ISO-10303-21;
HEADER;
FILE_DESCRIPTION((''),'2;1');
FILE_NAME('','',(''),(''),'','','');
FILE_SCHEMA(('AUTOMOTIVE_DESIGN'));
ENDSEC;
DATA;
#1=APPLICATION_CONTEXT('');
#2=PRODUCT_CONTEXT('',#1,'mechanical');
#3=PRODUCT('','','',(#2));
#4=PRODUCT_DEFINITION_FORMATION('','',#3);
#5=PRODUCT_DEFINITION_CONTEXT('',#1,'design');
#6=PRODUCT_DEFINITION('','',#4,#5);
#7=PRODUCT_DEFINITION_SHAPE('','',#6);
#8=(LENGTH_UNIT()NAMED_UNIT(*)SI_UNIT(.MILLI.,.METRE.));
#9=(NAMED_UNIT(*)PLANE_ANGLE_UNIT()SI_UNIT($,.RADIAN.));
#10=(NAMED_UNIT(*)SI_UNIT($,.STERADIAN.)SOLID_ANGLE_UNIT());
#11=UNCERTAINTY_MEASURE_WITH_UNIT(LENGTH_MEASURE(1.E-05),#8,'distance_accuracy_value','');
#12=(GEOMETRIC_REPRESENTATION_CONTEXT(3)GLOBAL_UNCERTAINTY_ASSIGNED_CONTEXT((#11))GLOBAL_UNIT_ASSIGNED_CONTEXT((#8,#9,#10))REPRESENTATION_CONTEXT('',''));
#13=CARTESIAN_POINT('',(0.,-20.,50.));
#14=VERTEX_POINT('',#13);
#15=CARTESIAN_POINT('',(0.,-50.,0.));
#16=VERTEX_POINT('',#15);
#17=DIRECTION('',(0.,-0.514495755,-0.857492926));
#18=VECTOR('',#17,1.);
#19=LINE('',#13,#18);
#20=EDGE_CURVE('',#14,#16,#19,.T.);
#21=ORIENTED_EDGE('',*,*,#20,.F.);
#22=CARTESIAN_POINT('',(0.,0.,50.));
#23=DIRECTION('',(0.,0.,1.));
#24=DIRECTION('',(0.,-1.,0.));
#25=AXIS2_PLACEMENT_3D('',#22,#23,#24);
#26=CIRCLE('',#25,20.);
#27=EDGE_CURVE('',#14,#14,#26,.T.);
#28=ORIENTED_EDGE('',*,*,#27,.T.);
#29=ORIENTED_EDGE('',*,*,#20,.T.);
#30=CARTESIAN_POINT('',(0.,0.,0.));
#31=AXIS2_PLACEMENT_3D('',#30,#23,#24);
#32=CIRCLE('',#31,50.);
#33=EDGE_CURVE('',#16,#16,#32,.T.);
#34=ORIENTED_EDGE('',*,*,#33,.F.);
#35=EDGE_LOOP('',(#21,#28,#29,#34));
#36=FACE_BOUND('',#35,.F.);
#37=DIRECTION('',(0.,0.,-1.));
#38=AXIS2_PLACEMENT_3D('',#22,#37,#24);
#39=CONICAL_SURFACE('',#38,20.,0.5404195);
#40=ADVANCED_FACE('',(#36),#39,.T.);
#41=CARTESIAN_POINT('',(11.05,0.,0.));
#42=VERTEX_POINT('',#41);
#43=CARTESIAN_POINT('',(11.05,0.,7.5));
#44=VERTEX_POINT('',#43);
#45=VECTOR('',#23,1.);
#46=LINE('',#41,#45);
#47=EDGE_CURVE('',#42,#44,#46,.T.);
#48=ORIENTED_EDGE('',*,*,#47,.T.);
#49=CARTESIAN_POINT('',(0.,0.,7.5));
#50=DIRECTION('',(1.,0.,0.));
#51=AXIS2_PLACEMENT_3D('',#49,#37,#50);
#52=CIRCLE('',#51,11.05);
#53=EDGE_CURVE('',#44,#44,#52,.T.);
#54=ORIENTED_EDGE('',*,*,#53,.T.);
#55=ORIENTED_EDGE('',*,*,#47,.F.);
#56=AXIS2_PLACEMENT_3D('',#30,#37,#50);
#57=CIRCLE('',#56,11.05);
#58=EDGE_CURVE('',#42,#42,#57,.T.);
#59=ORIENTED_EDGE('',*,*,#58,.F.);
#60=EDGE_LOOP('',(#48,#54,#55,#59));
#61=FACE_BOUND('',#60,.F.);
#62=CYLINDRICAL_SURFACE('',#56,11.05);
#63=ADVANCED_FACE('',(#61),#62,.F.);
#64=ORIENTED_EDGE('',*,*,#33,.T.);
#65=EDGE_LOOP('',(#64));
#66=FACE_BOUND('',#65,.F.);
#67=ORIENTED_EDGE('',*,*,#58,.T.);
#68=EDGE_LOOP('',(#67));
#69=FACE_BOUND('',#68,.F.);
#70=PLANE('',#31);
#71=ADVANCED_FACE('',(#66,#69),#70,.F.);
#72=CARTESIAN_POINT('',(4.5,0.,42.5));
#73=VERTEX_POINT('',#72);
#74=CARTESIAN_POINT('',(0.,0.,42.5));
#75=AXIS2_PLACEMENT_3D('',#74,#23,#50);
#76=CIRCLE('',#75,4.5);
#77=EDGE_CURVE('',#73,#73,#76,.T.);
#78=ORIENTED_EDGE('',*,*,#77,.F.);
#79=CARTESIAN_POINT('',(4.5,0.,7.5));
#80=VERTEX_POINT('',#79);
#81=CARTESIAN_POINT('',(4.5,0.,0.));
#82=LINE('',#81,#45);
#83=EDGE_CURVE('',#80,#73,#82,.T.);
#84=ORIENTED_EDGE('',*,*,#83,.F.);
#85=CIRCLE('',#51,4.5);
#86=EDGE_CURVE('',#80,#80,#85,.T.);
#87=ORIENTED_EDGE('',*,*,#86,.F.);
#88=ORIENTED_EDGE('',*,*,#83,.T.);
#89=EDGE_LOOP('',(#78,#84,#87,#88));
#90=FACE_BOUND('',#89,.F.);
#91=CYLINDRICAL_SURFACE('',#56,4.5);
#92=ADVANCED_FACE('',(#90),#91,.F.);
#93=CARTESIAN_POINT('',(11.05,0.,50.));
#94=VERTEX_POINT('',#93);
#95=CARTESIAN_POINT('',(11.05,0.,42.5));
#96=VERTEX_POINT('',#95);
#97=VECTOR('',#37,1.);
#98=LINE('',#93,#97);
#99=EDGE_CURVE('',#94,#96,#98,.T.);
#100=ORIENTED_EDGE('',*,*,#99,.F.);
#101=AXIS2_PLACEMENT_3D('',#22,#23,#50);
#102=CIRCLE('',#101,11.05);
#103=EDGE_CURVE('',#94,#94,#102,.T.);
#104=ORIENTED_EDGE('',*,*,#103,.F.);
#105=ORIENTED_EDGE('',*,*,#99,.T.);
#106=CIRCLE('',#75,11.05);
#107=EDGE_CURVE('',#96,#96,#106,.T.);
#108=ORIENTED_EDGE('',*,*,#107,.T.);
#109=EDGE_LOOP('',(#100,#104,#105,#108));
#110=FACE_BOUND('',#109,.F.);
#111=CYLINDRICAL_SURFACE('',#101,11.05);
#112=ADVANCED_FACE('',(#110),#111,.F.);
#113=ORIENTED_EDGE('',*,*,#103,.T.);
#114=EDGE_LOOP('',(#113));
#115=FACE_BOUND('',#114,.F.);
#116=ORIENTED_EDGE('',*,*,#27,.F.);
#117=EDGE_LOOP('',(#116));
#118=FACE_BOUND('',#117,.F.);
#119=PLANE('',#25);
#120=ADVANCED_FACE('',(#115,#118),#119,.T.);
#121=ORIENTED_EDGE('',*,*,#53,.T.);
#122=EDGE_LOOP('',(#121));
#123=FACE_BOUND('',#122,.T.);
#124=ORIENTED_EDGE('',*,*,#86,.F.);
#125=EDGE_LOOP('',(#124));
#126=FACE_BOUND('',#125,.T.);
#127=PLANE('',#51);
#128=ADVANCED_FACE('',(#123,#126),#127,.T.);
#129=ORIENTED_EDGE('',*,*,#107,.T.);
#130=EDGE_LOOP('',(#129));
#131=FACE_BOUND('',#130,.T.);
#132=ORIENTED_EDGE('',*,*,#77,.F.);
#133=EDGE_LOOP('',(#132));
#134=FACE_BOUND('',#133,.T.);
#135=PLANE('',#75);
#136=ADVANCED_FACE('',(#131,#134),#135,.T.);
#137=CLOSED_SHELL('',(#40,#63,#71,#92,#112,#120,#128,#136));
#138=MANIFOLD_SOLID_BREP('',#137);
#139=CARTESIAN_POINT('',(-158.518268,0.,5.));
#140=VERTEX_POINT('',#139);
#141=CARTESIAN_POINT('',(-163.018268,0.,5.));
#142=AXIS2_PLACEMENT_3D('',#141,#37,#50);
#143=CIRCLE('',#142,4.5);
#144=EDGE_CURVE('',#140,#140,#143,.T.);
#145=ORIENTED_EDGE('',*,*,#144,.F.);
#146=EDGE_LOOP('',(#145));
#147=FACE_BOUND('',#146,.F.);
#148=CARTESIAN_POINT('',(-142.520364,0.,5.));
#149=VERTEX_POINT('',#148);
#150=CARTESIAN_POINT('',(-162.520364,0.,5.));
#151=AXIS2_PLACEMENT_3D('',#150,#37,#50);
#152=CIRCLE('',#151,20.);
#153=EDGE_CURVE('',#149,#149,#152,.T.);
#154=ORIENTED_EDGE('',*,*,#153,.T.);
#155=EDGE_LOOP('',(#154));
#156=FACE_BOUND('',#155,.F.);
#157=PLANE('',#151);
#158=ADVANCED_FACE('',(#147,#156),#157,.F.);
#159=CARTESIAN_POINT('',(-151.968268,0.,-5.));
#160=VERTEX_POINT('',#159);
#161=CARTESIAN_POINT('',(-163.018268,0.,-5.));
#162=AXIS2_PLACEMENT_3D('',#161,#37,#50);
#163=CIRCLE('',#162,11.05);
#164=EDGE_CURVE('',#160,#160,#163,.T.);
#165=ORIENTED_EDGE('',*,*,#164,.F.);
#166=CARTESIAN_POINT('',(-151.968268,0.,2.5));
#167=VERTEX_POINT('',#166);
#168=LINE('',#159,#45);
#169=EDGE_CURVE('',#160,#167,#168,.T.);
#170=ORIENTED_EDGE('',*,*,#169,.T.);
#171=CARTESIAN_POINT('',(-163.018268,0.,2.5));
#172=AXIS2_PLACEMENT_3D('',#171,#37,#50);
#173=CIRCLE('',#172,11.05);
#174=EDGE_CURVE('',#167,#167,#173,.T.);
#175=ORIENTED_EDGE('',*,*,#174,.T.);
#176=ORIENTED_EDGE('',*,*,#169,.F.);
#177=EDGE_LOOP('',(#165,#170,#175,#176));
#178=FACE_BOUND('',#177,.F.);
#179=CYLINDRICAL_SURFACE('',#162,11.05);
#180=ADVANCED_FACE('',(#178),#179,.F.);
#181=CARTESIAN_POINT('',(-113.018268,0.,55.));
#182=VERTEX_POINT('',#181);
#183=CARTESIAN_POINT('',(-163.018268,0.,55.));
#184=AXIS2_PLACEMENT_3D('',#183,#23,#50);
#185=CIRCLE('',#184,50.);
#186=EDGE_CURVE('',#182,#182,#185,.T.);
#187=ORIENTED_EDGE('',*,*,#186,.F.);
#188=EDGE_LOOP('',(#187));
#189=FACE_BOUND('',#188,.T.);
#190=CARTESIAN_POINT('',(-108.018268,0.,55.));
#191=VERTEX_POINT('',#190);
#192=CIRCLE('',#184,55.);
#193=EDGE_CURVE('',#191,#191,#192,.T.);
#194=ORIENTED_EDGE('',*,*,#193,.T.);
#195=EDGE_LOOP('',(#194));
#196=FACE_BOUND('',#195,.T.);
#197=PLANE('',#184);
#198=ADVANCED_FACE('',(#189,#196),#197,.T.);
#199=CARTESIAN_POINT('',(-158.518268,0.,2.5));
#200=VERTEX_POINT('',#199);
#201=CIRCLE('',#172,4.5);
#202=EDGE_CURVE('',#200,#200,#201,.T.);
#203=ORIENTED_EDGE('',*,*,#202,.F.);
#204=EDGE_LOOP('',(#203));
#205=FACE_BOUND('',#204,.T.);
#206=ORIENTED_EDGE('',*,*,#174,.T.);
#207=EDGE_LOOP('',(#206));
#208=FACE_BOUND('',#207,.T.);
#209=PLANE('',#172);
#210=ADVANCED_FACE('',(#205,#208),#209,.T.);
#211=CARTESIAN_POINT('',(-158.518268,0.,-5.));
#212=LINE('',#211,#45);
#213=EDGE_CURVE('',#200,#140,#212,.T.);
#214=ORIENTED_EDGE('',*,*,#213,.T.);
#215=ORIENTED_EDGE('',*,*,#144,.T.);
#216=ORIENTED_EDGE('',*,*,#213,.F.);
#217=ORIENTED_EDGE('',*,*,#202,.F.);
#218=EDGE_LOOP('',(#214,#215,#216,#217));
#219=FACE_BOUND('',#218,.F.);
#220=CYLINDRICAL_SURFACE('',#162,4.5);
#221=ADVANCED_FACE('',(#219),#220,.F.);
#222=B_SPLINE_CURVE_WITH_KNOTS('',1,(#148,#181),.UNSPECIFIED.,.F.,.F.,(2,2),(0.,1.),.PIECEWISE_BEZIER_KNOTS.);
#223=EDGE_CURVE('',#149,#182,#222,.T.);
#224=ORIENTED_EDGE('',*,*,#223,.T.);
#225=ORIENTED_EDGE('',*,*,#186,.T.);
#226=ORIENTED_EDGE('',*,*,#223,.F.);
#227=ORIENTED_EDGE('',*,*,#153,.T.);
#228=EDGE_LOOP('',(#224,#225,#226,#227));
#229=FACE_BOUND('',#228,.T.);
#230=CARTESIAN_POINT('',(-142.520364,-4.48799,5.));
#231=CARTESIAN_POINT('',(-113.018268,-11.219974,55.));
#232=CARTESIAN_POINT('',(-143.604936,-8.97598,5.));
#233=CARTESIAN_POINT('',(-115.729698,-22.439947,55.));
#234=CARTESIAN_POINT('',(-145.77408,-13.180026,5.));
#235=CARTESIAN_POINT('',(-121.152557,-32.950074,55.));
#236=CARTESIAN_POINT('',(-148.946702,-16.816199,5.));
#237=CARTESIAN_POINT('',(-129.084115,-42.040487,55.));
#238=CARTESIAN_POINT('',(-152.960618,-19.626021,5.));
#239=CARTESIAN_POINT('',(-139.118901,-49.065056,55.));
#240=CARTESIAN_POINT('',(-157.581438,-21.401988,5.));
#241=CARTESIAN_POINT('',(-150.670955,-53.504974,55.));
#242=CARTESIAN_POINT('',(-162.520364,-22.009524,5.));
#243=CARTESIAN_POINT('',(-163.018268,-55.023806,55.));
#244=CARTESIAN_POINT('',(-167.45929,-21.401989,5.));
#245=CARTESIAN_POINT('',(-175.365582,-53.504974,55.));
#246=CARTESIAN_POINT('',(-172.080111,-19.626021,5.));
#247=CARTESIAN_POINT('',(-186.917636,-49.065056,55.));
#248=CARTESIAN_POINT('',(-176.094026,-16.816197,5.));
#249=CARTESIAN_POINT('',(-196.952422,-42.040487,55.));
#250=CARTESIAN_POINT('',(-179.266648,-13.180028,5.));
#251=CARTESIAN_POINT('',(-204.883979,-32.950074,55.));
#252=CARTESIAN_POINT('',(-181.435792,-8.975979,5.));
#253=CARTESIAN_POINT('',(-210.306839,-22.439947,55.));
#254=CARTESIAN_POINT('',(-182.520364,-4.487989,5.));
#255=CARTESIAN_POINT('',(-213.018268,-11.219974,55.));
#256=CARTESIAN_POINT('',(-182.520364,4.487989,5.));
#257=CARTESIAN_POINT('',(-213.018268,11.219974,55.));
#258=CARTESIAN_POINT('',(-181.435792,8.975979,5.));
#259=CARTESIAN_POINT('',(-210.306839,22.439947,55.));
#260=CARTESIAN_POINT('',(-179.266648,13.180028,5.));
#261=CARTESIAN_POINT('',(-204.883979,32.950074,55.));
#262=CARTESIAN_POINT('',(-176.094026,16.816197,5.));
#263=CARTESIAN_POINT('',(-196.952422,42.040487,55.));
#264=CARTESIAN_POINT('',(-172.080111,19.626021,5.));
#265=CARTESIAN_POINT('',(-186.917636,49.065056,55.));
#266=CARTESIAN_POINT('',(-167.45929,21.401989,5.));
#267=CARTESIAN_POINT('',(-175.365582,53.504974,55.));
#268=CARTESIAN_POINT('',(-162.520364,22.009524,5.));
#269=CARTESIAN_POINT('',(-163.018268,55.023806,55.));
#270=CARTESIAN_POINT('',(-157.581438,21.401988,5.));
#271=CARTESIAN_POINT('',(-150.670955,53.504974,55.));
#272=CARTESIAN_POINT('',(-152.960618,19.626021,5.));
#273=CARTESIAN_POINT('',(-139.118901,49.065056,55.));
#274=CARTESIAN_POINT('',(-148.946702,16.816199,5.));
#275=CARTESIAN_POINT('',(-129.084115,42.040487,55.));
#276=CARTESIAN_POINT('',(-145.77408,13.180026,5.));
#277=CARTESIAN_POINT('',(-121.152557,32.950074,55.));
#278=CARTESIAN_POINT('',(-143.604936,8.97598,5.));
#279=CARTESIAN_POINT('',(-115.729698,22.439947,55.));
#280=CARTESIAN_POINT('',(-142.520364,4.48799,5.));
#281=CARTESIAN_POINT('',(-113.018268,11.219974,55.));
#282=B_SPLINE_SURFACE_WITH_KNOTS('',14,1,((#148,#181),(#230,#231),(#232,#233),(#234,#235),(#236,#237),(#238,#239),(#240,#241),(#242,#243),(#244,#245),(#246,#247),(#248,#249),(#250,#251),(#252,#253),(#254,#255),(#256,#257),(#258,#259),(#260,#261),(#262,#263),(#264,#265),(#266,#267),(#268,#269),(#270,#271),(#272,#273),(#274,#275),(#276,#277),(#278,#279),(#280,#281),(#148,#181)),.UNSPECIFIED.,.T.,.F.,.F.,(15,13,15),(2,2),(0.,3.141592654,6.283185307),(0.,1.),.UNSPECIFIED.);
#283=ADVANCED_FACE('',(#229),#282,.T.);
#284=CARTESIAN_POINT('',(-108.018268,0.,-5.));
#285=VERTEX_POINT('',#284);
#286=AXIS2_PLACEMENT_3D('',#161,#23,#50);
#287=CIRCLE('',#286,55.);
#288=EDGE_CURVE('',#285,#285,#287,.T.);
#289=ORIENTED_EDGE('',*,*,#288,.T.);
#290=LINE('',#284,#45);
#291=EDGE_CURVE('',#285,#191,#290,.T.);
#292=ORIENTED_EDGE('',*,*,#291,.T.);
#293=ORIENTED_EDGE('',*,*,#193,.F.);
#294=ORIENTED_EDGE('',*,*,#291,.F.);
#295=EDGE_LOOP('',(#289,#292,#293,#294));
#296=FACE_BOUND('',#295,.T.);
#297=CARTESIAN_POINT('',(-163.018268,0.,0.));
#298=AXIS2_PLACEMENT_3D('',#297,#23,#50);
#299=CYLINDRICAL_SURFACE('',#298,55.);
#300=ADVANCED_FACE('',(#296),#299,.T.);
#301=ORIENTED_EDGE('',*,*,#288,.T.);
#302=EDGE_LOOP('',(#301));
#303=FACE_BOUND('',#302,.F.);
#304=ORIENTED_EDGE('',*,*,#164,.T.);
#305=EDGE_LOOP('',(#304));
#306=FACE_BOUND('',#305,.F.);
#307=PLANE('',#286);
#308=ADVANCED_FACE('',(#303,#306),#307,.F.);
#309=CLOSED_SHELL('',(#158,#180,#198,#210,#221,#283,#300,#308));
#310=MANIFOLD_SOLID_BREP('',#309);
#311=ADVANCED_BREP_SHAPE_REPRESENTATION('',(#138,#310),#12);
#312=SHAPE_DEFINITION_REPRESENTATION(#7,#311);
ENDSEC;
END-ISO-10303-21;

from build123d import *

# Parameters (mm, degrees)
F2_R      = 4.5
F3_DEPTH  = 50.001
F2_R_2    = 11.05
F4_DEPTH  = 7.5
F5_R      = 11.05
F5_R_2    = 4.5
F6_DEPTH  = 7.5
F7_R      = 55
F8_DEPTH  = 55
F11_R     = 20
F9_R      = 50
F13_DEPTH = 5
F14_R     = 4.5
F15_DEPTH = 60.0010001
F14_R_2   = 11.05
F16_DEPTH = 7.5


with BuildPart() as f1:
    # F0 (on Right) → F1 (revolve)
    with BuildSketch(Plane.YZ):
        Polygon((-50, 0), (0, 0), (0, 50), (-20, 50), align=None)
    revolve(axis=Axis((0, 0, 12.6269906759), (0, 0, 1)))

    # F2 (on face) → F3 (cut, through all)
    with BuildSketch(Plane(origin=(0, 0, 0), x_dir=(1, 0, 0), z_dir=(0, 0, -1))):
        Circle(F2_R)
    extrude(amount=-F3_DEPTH, mode=Mode.SUBTRACT)

    # F2 (on face) → F4 (cut)
    with BuildSketch(Plane(origin=(0, 0, 0), x_dir=(1, 0, 0), z_dir=(0, 0, -1))):
        Circle(F2_R_2)
        Circle(F2_R, mode=Mode.SUBTRACT)
    extrude(amount=-F4_DEPTH, mode=Mode.SUBTRACT)

    # F5 (on face) → F6 (cut)
    with BuildSketch(Plane.XY.offset(50)):
        Circle(F5_R)
        Circle(F5_R_2, mode=Mode.SUBTRACT)
    extrude(amount=-F6_DEPTH, mode=Mode.SUBTRACT)


with BuildPart() as f8:
    # F7 (on Top) → F8 (new body)
    with BuildSketch(Plane.XY):
        with Locations((-163.0182683468, 0)):
            Circle(F7_R)
    extrude(amount=F8_DEPTH)

    # F11 (on offset) → F12 section 0
    with BuildSketch(Plane(origin=(0, 0, 5), x_dir=(1, 0, 0), z_dir=(0, 0, -1))):
        with Locations((-162.5203639269, 0)):
            Circle(F11_R)
    # F9 (on face) → F12 section 1
    with BuildSketch(Plane.XY.offset(55)):
        with Locations((-163.0182683468, 0)):
            Circle(F9_R)
    loft(mode=Mode.SUBTRACT)

    # F13 (add): a face of the model
    f13_faces = [f8.faces().sort_by_distance(p)[0] for p in [
        (-163.0182683468, 0, 0),
    ]]
    extrude(f13_faces, amount=F13_DEPTH)

    # F14 (on face) → F15 (cut, through all)
    with BuildSketch(Plane(origin=(0, 0, -5), x_dir=(1, 0, 0), z_dir=(0, 0, -1))):
        with Locations((-163.0182683468, 0)):
            Circle(F14_R)
    extrude(amount=-F15_DEPTH, mode=Mode.SUBTRACT)

    # F14 (on face) → F16 (cut)
    with BuildSketch(Plane(origin=(0, 0, -5), x_dir=(1, 0, 0), z_dir=(0, 0, -1))):
        with Locations((-163.0182683468, 0)):
            Circle(F14_R_2)
        with Locations((-163.0182683468, 0)):
            Circle(F14_R, mode=Mode.SUBTRACT)
    extrude(amount=-F16_DEPTH, mode=Mode.SUBTRACT)


solid = Compound([f1.part, f8.part])
